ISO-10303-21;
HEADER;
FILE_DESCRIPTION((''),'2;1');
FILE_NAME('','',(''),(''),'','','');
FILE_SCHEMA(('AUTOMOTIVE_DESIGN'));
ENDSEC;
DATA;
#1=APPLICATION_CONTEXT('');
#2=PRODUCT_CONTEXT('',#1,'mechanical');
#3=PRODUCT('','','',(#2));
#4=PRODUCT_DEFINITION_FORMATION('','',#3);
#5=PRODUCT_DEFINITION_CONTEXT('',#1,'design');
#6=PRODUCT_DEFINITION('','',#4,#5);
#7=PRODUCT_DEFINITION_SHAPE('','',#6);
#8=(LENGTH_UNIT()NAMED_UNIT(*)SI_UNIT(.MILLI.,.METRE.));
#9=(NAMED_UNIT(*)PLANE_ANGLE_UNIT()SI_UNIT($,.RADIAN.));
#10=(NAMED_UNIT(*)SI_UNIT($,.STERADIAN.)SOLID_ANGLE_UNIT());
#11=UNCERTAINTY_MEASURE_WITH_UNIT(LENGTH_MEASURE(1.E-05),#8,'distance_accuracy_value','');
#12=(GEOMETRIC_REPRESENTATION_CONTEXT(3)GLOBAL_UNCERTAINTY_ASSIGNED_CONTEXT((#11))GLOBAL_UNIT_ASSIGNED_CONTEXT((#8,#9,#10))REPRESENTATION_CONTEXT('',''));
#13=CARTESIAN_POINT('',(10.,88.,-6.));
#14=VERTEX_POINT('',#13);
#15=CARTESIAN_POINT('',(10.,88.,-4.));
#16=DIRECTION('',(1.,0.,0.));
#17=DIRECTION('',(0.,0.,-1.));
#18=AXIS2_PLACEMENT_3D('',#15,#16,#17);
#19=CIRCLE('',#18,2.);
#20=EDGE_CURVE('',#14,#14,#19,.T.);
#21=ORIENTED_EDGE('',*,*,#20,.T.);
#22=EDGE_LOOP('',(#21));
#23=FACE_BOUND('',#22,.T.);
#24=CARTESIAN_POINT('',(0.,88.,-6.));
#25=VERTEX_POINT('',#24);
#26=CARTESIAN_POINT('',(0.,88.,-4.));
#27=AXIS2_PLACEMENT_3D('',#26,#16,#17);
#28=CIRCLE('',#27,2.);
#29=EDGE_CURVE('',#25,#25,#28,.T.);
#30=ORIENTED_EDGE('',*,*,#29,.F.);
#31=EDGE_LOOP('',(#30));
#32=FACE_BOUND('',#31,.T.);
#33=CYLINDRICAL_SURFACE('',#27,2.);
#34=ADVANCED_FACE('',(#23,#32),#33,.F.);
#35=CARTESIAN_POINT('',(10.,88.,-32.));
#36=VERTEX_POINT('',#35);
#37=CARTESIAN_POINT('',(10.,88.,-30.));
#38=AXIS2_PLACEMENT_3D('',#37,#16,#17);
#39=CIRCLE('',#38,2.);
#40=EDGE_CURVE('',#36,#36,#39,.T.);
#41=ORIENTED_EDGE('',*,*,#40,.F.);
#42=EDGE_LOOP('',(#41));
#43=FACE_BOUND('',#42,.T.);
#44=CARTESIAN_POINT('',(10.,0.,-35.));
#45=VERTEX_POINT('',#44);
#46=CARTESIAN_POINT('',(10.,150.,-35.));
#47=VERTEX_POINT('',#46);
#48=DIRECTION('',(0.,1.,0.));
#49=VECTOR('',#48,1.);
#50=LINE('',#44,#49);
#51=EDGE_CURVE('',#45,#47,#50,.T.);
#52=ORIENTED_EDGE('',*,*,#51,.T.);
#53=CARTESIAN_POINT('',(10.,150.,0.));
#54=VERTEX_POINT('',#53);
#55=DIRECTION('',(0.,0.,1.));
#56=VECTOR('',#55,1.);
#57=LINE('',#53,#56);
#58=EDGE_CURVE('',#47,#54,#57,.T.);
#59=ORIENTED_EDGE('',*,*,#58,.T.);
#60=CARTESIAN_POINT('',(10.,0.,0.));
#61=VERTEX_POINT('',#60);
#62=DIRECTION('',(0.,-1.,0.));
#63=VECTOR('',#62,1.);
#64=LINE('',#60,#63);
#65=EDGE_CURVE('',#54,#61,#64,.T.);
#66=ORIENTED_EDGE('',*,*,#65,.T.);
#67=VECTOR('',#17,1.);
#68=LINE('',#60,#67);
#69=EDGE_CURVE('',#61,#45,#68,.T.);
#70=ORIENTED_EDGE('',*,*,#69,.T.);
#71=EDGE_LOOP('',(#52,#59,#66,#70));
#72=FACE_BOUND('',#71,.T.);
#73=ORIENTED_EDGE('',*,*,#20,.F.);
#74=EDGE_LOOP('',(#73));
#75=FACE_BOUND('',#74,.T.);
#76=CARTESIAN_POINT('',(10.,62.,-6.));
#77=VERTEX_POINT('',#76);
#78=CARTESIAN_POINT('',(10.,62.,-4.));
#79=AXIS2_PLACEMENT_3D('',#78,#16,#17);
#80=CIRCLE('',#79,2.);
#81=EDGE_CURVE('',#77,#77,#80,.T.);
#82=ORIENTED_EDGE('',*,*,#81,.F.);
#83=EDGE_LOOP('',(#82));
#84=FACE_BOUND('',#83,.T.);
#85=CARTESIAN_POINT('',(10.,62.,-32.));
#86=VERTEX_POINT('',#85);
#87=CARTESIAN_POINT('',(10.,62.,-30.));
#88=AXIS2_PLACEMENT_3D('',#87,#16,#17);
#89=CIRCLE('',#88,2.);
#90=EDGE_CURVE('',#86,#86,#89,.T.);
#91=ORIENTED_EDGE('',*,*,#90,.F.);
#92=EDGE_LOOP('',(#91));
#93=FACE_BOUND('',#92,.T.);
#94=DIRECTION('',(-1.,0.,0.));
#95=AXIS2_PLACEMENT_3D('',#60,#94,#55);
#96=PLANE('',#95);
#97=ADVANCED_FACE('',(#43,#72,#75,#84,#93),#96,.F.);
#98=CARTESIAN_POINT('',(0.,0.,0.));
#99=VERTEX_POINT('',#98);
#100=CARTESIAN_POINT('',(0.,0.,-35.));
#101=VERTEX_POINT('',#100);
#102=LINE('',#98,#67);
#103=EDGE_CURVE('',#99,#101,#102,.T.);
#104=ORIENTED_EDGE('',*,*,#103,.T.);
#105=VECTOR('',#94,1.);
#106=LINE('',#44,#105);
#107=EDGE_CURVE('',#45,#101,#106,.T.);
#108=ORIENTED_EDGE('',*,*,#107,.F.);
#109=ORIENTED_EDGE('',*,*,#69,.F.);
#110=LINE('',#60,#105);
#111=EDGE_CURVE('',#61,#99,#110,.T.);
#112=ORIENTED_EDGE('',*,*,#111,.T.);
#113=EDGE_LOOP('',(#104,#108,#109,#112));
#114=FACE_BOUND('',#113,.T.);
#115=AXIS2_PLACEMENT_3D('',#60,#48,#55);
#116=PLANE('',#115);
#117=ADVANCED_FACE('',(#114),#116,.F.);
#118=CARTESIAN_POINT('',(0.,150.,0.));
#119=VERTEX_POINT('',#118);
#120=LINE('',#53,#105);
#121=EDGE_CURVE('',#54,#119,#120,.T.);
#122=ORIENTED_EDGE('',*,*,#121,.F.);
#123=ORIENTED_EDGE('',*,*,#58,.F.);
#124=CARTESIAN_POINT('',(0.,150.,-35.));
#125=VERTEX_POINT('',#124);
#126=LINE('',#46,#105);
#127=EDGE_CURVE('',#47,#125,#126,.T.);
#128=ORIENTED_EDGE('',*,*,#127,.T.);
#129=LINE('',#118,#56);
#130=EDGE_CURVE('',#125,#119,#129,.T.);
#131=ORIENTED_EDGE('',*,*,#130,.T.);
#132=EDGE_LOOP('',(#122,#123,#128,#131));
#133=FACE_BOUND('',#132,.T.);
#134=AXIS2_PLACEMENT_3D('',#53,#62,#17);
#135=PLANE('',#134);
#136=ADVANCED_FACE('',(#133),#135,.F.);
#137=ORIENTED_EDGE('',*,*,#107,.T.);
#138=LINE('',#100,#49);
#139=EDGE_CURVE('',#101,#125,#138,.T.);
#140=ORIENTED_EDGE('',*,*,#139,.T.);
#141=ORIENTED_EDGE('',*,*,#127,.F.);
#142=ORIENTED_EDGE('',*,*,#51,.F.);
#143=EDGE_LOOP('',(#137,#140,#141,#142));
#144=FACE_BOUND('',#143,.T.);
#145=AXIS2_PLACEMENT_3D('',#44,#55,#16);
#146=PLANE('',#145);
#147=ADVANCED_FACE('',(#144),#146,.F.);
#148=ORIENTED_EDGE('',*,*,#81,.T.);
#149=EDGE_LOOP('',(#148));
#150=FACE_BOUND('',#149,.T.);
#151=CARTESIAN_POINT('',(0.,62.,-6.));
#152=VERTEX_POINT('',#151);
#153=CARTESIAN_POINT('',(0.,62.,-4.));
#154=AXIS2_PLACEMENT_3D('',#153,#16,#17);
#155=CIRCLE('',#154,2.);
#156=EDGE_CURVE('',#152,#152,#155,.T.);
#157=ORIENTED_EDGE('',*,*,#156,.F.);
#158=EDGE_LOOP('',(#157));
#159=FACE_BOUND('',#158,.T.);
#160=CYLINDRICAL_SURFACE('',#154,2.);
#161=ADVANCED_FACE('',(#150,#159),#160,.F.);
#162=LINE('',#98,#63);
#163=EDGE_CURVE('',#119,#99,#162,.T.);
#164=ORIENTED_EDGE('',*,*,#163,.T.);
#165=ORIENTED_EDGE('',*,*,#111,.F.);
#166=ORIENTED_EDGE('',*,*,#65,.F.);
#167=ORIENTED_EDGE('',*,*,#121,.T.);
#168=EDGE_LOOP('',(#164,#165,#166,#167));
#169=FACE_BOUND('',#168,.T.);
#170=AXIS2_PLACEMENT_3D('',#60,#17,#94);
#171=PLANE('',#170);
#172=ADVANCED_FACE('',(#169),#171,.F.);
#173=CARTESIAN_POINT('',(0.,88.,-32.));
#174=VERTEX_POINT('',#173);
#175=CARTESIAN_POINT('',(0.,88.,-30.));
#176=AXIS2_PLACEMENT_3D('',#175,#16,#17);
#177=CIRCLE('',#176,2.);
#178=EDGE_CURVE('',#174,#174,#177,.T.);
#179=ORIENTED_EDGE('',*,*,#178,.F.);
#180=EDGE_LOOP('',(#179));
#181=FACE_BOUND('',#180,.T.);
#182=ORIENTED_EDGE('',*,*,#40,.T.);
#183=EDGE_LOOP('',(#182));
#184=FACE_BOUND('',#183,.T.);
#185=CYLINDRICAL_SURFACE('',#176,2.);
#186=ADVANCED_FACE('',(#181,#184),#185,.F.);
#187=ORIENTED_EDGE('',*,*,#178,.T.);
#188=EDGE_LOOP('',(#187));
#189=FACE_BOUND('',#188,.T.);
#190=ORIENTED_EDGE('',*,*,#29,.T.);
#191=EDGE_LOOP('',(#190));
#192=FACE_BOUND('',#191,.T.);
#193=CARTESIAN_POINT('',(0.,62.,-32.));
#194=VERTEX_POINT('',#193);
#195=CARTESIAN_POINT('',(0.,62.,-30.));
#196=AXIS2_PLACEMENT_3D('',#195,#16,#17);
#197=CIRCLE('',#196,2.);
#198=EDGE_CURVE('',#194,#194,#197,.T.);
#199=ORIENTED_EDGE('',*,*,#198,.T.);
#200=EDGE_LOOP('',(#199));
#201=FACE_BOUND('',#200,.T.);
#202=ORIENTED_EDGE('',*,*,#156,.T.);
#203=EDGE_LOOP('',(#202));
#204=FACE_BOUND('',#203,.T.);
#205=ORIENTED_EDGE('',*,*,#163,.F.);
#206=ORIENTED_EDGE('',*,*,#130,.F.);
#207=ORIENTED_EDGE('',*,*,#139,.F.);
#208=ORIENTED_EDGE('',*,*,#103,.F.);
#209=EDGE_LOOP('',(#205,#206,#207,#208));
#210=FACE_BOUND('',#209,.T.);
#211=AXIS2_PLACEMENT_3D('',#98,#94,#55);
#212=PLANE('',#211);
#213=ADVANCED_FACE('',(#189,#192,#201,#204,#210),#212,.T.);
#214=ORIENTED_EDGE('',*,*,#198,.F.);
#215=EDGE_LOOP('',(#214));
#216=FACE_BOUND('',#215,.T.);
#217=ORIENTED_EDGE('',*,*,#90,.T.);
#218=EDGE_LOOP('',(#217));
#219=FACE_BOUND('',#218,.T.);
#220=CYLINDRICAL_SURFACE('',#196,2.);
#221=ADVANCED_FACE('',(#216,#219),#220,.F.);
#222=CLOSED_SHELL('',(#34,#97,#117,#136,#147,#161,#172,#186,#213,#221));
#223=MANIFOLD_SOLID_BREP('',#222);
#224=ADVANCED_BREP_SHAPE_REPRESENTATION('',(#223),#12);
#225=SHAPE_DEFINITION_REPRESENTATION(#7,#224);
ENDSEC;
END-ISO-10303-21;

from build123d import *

# Parameters (mm, degrees)
SKETCH1_W           = 35
SKETCH1_H           = 150
BOSS_EXTRUDE1_DEPTH = 10
SKETCH2_R           = 2
CUT_EXTRUDE1_DEPTH  = 10


with BuildPart() as part:
    # Sketch1 → Boss-Extrude1 (new body)
    with BuildSketch(Plane(origin=(0, 0, 0), x_dir=(0, 0, -1), z_dir=(1, 0, 0))):
        with Locations((17.5, 75)):
            Rectangle(SKETCH1_W, SKETCH1_H)
    extrude(amount=BOSS_EXTRUDE1_DEPTH)

    # Sketch2 → Cut-Extrude1 (cut)
    with BuildSketch(Plane(origin=(10, 0, 0), x_dir=(0, 0, -1), z_dir=(1, 0, 0))):
        with Locations((4, 88)):
            Circle(SKETCH2_R)
        with Locations((30, 88)):
            Circle(SKETCH2_R)
        with Locations((30, 62)):
            Circle(SKETCH2_R)
        with Locations((4, 62)):
            Circle(SKETCH2_R)
    extrude(amount=-CUT_EXTRUDE1_DEPTH, mode=Mode.SUBTRACT)


solid = part.part
